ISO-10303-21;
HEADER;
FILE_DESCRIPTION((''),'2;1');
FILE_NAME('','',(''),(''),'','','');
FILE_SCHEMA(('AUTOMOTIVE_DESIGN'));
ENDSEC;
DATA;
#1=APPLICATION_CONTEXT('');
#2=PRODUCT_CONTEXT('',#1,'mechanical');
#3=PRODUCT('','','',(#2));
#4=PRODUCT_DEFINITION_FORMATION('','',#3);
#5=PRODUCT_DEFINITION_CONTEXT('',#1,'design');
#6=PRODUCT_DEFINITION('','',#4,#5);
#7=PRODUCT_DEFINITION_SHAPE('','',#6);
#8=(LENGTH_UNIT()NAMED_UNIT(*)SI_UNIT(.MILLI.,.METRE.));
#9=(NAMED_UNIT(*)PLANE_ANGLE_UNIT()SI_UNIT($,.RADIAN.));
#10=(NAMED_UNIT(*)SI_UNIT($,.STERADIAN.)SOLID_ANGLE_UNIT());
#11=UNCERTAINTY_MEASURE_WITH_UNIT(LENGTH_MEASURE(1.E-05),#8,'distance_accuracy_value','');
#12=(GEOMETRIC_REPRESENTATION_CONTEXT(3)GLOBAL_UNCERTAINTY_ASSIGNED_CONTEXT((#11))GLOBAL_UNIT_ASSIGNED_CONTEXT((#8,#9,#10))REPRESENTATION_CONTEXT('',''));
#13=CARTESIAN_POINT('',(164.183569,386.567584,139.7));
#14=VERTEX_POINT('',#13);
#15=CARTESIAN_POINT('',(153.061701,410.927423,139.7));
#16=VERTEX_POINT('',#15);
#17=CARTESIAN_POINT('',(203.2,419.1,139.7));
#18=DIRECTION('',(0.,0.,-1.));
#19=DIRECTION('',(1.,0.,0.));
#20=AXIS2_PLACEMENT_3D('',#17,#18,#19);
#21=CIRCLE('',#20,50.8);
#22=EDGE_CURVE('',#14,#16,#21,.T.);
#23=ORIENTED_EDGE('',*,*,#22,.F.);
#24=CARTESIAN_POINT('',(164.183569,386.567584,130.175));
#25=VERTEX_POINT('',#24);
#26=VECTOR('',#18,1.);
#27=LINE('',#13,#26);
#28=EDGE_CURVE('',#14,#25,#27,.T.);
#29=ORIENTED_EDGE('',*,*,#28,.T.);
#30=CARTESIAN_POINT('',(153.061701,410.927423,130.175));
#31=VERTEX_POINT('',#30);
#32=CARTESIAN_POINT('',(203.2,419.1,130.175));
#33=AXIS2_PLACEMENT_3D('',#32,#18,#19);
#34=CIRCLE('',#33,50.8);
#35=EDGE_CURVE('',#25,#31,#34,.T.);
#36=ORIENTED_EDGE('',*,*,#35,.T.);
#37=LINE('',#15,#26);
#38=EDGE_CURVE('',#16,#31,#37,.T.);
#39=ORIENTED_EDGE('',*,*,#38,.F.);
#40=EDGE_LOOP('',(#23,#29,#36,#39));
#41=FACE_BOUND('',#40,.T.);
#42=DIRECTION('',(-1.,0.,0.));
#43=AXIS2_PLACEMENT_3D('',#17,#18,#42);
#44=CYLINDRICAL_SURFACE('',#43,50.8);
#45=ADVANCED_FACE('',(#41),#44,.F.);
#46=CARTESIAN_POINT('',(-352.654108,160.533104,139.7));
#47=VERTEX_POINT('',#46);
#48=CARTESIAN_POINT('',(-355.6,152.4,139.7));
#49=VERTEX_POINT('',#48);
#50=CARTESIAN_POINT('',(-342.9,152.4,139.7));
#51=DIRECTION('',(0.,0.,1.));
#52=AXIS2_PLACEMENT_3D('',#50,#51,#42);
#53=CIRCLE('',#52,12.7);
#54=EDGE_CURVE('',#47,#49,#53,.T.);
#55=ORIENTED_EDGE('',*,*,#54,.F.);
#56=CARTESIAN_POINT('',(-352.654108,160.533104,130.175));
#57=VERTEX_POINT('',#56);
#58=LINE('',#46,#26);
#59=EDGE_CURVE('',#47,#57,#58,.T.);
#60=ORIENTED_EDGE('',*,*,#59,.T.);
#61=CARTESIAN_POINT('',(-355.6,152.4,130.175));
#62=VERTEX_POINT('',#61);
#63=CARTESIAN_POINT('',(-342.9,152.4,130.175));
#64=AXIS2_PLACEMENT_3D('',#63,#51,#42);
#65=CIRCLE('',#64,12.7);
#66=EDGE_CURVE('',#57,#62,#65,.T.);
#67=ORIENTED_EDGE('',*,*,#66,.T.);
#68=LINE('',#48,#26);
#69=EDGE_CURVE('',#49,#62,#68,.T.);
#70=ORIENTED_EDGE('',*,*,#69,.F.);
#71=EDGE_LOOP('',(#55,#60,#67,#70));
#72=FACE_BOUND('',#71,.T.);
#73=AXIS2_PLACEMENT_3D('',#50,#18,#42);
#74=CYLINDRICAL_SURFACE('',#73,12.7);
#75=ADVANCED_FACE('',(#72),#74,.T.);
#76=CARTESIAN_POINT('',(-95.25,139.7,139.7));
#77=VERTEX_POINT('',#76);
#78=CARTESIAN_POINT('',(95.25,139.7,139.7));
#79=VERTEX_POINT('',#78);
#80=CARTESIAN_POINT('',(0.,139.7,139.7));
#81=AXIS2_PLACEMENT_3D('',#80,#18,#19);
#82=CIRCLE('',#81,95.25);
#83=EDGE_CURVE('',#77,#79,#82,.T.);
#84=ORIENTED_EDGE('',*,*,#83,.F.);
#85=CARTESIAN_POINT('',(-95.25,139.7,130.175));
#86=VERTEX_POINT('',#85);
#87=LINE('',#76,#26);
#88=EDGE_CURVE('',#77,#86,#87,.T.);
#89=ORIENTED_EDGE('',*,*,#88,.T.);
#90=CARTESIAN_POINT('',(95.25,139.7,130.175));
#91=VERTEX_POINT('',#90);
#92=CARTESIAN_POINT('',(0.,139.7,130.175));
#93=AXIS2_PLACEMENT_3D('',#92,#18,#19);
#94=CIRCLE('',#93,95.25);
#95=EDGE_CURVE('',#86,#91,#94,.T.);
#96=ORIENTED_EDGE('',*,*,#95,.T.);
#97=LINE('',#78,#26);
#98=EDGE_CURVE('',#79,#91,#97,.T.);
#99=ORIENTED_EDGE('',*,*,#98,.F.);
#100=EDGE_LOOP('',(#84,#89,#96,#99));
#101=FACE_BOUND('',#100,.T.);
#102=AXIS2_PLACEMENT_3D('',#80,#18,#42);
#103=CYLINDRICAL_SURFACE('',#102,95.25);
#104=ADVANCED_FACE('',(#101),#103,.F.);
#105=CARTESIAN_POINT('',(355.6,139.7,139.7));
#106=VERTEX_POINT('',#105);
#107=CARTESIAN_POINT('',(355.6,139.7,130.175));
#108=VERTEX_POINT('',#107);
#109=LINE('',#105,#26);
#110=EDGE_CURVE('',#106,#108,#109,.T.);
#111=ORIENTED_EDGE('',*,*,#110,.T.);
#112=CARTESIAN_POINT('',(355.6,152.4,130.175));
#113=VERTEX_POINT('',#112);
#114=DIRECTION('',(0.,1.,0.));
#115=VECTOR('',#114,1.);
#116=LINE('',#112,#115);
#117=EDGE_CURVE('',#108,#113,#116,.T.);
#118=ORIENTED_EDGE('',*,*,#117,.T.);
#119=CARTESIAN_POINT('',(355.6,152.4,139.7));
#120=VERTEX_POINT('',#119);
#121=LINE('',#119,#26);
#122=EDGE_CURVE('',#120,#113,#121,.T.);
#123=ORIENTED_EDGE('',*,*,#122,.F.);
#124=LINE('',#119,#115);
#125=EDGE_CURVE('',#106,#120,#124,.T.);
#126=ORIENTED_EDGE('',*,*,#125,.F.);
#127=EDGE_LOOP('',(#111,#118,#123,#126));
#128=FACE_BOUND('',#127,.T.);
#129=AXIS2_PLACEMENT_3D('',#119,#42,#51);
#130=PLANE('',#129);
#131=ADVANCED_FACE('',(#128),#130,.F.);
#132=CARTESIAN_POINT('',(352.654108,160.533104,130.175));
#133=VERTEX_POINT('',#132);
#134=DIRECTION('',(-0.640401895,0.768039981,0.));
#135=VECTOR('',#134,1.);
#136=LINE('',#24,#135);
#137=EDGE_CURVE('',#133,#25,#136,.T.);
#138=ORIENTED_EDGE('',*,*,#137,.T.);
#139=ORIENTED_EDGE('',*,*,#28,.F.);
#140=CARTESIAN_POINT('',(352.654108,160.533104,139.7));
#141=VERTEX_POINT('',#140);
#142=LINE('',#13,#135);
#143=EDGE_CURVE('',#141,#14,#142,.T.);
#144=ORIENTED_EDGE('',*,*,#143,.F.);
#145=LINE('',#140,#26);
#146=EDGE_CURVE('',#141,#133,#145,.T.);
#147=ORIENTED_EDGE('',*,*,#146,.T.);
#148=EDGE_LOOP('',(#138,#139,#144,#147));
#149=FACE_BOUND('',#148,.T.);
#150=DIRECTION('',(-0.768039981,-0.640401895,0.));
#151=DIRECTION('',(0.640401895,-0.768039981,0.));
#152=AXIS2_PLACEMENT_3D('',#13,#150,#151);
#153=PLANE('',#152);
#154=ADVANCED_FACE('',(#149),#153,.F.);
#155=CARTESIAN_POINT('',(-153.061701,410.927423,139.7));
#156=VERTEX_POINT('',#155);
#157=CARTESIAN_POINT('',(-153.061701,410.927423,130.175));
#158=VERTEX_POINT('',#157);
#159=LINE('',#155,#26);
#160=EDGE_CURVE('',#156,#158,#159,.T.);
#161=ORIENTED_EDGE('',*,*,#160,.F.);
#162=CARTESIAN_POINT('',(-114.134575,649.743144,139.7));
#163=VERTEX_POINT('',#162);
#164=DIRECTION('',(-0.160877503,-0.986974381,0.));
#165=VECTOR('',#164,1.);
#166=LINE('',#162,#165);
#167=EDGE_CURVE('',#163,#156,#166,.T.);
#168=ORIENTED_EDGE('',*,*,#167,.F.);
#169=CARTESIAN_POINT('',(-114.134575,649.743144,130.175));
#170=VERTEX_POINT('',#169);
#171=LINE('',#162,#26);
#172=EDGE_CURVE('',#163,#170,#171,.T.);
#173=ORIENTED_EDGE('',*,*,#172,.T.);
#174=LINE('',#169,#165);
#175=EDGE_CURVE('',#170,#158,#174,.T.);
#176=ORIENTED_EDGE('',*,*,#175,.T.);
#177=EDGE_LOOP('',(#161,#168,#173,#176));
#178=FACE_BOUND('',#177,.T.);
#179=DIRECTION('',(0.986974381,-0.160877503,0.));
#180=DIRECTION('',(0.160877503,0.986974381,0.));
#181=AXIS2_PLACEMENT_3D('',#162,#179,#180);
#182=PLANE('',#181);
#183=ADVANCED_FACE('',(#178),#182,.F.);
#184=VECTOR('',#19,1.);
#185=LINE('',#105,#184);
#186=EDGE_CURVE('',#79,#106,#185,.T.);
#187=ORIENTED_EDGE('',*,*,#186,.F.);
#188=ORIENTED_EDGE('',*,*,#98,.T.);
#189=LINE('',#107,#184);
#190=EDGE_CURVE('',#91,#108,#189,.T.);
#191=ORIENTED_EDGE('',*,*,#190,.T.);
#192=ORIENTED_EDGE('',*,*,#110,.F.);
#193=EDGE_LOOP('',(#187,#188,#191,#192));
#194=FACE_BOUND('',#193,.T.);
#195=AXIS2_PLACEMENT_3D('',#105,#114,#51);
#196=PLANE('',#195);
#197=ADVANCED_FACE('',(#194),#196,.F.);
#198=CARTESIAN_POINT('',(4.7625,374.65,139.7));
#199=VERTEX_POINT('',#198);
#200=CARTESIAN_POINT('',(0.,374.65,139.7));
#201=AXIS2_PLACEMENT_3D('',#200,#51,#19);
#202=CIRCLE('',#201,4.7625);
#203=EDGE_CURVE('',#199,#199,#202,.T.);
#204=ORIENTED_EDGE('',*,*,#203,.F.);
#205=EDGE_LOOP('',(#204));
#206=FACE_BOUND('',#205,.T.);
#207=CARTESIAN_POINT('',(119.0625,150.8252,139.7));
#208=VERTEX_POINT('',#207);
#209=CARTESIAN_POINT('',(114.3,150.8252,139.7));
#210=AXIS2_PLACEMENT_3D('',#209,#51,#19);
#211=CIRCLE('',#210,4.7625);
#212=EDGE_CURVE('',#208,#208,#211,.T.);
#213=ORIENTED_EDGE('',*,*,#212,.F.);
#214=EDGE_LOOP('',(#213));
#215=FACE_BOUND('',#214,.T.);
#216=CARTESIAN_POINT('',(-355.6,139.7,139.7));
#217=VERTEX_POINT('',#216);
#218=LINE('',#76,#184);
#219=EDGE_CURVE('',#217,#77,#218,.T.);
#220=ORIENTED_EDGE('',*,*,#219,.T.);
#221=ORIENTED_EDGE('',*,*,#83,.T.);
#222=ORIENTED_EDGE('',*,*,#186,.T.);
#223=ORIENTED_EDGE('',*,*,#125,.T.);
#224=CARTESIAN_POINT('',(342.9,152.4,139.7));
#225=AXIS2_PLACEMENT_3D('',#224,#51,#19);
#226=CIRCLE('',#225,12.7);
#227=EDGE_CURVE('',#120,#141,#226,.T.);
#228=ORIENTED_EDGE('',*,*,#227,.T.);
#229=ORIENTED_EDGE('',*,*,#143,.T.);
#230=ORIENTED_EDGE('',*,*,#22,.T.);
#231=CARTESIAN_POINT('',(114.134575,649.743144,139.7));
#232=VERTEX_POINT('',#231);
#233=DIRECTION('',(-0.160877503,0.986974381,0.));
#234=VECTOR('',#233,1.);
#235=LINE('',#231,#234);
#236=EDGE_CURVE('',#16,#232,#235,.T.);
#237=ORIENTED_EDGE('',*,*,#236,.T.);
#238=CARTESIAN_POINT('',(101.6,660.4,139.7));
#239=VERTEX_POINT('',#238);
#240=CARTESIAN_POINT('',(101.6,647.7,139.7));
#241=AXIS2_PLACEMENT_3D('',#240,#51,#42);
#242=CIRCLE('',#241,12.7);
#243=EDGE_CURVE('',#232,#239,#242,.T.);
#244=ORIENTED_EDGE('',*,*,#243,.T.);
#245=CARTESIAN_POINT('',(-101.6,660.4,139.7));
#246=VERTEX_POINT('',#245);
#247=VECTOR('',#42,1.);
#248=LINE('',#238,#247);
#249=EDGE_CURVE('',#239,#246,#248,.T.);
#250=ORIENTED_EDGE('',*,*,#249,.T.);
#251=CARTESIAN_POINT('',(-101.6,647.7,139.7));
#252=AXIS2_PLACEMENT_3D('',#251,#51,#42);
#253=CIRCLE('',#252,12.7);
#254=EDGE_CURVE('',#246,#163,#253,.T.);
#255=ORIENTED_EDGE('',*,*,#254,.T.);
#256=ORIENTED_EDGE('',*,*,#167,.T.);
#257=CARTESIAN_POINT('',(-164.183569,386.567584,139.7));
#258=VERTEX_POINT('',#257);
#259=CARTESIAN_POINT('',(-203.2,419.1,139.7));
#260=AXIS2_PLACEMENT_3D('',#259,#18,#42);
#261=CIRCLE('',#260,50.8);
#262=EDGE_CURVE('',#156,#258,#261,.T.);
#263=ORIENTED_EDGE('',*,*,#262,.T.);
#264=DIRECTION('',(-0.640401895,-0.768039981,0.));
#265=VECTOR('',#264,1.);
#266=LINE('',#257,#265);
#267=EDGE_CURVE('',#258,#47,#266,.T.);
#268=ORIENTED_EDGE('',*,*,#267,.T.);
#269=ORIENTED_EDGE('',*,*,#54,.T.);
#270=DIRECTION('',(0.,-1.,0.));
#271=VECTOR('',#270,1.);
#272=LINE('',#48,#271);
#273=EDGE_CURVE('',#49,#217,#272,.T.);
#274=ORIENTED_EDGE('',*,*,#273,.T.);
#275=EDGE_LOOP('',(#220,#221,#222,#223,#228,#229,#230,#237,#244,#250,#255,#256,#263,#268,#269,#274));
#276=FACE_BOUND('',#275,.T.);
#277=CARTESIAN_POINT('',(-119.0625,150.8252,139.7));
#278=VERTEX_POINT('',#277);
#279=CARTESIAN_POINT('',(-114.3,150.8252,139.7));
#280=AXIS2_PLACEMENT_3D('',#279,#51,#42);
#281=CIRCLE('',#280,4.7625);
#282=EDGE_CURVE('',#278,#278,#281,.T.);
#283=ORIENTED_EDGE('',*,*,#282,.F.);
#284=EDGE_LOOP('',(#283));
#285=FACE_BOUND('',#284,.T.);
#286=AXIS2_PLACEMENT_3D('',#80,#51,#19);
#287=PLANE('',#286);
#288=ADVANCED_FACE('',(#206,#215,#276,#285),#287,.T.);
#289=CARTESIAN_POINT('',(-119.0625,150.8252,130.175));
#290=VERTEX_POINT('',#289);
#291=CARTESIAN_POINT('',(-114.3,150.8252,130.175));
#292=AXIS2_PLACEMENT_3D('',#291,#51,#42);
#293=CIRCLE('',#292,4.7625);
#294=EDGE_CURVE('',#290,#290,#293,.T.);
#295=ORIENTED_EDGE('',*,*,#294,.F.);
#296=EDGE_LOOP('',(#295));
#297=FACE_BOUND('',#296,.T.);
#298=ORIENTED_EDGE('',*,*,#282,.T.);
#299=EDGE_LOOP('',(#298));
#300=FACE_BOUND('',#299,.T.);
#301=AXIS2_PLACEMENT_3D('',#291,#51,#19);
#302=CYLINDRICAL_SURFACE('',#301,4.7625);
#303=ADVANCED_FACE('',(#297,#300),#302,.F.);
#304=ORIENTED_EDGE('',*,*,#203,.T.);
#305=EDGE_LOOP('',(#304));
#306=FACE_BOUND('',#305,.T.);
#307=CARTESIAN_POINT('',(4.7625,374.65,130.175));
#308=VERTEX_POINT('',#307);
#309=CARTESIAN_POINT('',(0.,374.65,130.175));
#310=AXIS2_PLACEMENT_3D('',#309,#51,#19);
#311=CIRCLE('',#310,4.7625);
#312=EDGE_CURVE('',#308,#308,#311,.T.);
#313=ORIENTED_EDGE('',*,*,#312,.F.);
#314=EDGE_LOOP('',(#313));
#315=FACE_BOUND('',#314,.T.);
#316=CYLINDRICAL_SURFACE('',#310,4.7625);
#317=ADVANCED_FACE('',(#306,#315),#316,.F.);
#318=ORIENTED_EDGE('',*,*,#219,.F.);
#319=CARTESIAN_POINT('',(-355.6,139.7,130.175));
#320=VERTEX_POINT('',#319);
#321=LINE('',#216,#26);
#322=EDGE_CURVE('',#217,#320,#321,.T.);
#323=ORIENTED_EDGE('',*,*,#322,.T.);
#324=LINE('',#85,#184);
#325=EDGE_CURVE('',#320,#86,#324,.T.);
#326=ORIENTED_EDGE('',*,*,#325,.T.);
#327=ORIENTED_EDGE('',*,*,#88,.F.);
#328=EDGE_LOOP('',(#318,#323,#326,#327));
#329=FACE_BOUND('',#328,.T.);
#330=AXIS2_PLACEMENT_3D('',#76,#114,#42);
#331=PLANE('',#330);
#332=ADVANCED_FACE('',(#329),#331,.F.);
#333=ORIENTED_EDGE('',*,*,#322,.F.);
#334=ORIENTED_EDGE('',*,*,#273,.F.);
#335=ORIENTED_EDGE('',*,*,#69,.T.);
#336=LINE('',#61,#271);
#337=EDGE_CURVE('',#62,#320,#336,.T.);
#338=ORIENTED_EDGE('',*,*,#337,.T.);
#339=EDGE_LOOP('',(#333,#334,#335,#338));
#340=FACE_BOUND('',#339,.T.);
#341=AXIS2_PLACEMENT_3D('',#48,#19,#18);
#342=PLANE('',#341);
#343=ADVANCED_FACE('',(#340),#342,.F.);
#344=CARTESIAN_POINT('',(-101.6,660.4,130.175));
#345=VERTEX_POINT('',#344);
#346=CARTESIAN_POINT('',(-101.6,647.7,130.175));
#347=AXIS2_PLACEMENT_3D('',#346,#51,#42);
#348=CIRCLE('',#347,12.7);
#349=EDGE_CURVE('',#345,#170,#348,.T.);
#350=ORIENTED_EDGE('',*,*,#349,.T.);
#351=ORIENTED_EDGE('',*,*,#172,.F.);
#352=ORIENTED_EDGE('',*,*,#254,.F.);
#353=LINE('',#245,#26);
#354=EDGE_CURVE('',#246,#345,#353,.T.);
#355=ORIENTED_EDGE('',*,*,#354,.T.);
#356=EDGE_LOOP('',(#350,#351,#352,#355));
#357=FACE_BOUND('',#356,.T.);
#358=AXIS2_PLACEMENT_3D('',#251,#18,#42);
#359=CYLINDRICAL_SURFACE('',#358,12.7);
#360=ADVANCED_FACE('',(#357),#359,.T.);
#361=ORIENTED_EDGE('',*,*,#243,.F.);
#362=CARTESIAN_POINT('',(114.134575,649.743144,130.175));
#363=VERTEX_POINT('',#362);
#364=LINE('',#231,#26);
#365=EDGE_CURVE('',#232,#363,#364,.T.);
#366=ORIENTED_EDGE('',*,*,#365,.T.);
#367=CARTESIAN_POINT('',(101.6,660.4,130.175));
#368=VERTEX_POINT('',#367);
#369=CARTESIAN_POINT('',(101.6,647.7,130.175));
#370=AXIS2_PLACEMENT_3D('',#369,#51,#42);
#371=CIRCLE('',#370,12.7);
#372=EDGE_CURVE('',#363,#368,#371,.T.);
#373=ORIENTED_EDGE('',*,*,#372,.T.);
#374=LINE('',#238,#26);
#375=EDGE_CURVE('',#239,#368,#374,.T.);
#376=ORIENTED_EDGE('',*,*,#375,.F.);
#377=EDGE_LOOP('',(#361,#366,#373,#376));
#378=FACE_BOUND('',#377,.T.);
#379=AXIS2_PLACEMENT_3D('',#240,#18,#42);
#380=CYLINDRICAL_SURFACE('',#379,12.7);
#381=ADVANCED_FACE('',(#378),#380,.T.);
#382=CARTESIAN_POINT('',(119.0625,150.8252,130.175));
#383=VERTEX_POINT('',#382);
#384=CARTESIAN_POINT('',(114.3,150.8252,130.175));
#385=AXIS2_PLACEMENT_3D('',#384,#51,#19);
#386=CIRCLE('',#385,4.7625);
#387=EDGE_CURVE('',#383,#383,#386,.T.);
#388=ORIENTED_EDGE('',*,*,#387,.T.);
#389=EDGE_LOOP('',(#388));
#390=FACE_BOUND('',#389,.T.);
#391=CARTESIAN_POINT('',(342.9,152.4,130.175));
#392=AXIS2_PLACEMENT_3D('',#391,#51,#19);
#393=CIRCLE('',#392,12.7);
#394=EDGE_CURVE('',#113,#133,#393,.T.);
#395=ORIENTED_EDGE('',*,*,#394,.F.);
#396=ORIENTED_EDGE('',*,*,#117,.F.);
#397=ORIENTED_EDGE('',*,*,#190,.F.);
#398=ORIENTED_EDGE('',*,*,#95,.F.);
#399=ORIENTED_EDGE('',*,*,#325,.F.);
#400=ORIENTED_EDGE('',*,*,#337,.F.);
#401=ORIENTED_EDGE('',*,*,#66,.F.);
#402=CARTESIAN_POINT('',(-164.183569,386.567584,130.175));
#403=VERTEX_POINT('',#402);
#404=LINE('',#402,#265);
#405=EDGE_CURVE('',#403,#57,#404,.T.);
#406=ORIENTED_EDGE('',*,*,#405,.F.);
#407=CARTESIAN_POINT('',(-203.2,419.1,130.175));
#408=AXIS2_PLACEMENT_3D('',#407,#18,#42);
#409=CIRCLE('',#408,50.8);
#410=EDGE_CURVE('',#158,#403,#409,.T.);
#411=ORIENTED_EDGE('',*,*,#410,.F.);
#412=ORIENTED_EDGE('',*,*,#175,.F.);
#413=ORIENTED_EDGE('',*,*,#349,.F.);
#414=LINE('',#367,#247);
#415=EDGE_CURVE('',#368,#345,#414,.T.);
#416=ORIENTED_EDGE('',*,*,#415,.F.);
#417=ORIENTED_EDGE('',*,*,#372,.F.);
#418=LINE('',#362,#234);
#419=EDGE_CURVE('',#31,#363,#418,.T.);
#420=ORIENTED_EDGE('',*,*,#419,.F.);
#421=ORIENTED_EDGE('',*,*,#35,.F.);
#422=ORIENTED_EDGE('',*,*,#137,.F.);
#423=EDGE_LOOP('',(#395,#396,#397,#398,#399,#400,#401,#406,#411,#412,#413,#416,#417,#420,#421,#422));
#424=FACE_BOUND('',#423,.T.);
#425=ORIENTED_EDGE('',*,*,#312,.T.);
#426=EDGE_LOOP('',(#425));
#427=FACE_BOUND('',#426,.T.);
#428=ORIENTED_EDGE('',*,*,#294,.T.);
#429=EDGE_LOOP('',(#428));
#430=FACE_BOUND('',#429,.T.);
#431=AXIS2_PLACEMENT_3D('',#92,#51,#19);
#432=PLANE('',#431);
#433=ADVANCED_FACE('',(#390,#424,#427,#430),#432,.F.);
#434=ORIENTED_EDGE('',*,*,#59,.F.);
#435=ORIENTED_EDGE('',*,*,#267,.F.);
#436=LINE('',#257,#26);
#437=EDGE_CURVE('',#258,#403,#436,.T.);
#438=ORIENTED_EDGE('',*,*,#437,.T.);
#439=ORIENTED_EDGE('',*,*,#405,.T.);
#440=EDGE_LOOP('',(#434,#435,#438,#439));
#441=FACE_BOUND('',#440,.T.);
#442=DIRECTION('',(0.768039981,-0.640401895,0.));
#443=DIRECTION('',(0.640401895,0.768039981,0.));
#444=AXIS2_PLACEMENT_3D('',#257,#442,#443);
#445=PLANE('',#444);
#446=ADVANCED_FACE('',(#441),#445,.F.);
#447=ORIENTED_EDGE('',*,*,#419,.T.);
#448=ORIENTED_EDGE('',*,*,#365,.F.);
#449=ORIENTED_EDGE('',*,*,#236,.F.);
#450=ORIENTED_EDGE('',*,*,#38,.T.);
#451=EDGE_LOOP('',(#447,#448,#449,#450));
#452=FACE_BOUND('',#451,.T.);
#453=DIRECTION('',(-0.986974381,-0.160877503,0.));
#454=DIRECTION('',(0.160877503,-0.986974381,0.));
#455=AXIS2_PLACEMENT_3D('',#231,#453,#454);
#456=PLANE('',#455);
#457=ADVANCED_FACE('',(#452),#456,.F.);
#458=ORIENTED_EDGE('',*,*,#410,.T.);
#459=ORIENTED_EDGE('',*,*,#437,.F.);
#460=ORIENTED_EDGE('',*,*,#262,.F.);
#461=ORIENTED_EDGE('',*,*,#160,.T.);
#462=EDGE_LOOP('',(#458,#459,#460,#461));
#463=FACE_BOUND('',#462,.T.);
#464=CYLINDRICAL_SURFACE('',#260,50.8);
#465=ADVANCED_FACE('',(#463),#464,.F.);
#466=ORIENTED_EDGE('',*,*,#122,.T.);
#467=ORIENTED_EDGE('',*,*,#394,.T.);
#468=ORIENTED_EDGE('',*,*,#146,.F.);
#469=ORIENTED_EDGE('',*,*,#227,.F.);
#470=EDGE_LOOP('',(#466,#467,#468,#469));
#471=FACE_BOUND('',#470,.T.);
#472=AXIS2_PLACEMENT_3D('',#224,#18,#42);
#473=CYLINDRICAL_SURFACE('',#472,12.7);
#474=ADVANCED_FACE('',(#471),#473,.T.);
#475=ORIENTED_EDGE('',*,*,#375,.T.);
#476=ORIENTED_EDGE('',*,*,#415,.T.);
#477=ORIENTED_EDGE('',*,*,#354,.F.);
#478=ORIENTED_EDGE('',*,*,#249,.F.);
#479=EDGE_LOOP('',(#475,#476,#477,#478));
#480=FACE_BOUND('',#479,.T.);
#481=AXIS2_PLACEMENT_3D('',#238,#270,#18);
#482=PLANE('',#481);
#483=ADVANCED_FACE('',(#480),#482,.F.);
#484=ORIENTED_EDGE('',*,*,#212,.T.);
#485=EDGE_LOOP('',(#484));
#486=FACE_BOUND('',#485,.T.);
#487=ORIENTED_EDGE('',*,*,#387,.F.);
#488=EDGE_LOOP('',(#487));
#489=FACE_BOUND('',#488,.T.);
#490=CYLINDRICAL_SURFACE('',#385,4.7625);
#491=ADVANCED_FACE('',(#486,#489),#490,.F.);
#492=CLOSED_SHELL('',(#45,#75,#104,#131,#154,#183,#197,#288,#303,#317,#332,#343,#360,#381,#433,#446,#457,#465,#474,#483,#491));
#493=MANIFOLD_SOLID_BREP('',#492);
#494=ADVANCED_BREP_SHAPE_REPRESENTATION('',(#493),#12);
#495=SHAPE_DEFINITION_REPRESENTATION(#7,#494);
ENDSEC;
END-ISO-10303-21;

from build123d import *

# Parameters (mm, degrees)
BASE_EXTRUDE_DEPTH = 9.525
SKETCH4_R          = 4.7625
CUT_EXTRUDE1_DEPTH = 751.113488497


with BuildPart() as part:
    # Sketch1 → Base-Extrude (new body)
    with BuildSketch(Plane.XY.offset(130.175)):
        with BuildLine():
            Line((-114.134574641, 649.743144285), (-153.061701436, 410.92742286))
            ThreePointArc((-153.061701436, 410.92742286), (-156.988617271, 398.001466727), (-164.183568949, 386.567583735))
            Line((-164.183568949, 386.567583735), (-352.654107763, 160.533104066))
            ThreePointArc((-352.654107763, 160.533104066), (-354.840836834, 156.72509141), (-355.6, 152.4))
            Line((-355.6, 152.4), (-355.6, 139.7))
            Line((-355.6, 139.7), (-95.25, 139.7))
            ThreePointArc((-95.25, 139.7), (0, 234.95), (95.25, 139.7))
            Line((95.25, 139.7), (355.6, 139.7))
            Line((355.6, 139.7), (355.6, 152.4))
            ThreePointArc((355.6, 152.4), (354.840836834, 156.72509141), (352.654107763, 160.533104066))
            Line((352.654107763, 160.533104066), (164.183568949, 386.567583735))
            ThreePointArc((164.183568949, 386.567583735), (156.988617271, 398.001466727), (153.061701436, 410.92742286))
            Line((153.061701436, 410.92742286), (114.134574641, 649.743144285))
            ThreePointArc((114.134574641, 649.743144285), (109.826240562, 657.375689444), (101.6, 660.4))
            Line((101.6, 660.4), (-101.6, 660.4))
            ThreePointArc((-101.6, 660.4), (-109.826240562, 657.375689444), (-114.134574641, 649.743144285))
        make_face()
    extrude(amount=BASE_EXTRUDE_DEPTH)

    # Sketch4 → Cut-Extrude1 (cut, through all)
    with BuildSketch(Plane.XY.offset(139.7)):
        with Locations((0, 374.65)):
            Circle(SKETCH4_R)
        with Locations((114.3, 150.8252)):
            Circle(SKETCH4_R)
        with Locations(Location((-114.3, 150.8252, 0), (0, 0, 180))):
            Circle(SKETCH4_R)
    extrude(amount=-CUT_EXTRUDE1_DEPTH, mode=Mode.SUBTRACT)


solid = part.part
